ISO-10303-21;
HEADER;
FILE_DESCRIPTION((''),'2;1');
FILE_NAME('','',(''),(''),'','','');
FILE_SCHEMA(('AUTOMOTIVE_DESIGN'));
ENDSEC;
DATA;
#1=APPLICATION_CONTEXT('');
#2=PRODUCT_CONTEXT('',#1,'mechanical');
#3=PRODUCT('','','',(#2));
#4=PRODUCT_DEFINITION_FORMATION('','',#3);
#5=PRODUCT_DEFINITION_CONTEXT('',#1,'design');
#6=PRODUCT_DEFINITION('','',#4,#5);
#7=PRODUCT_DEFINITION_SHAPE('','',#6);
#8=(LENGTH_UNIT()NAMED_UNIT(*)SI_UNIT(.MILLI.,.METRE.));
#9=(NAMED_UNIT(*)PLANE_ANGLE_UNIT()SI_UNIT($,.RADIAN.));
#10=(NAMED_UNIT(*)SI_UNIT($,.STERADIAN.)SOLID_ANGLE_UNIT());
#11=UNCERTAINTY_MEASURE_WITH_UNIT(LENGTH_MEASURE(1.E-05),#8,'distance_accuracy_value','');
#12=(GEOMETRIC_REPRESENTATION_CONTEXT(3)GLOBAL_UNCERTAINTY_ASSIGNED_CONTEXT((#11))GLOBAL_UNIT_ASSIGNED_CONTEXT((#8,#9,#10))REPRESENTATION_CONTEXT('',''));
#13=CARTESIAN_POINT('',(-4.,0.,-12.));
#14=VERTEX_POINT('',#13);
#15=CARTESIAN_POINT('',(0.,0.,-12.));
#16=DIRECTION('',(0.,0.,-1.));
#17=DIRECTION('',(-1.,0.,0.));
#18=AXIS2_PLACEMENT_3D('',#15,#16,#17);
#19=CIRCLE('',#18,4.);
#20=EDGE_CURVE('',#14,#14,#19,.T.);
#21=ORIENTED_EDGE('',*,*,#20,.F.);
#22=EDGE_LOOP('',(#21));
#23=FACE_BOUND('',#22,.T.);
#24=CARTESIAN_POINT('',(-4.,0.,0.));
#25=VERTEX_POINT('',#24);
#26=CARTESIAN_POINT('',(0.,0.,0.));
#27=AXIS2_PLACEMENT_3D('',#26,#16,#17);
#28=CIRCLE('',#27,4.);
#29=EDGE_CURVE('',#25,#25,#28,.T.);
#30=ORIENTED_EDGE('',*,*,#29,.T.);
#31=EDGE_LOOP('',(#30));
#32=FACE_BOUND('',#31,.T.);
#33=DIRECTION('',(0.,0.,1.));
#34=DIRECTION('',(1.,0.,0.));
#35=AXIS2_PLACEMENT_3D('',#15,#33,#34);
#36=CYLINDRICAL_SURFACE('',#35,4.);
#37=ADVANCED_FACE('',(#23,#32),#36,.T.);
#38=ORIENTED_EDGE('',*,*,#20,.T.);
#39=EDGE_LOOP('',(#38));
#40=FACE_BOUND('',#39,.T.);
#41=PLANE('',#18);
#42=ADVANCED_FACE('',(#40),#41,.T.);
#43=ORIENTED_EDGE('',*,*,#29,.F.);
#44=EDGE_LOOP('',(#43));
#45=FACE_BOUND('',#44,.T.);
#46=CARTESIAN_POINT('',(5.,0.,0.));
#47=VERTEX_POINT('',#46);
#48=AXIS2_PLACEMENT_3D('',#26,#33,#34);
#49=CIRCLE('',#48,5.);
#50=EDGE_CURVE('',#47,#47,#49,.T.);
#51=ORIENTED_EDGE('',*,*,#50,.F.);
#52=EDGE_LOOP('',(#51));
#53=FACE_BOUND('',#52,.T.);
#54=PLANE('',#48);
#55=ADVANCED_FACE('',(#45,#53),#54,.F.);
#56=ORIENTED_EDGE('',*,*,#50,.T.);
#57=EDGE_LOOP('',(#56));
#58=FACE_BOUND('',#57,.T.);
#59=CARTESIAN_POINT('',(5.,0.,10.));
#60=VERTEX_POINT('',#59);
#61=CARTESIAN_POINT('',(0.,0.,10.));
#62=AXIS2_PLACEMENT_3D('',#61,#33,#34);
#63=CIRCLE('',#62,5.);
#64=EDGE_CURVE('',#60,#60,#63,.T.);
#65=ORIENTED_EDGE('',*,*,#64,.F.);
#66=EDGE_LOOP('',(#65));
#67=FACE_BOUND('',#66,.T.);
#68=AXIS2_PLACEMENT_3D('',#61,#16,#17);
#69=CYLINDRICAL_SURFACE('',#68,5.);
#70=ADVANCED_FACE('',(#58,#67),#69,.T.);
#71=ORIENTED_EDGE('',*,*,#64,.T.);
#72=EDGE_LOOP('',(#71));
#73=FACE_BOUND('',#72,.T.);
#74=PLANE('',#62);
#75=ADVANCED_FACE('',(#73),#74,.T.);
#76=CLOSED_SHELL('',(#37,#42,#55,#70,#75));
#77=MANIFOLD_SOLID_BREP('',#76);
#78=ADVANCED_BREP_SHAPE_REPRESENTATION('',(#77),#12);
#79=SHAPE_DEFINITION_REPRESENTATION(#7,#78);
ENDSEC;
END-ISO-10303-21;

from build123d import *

# Parameters (mm, degrees)
ESQUISSE1_R        = 5
BOSS_EXTRU_1_DEPTH = 10
ESQUISSE2_R        = 4
BOSS_EXTRU_2_DEPTH = 12


with BuildPart() as part:
    # Esquisse1 → Boss.-Extru.1 (new body)
    with BuildSketch(Plane.XY):
        Circle(ESQUISSE1_R)
    extrude(amount=BOSS_EXTRU_1_DEPTH)

    # Esquisse2 → Boss.-Extru.2 (add)
    with BuildSketch(Plane(origin=(0, 0, 0), x_dir=(-1, 0, 0), z_dir=(0, 0, -1))):
        Circle(ESQUISSE2_R)
    extrude(amount=BOSS_EXTRU_2_DEPTH)


solid = part.part
